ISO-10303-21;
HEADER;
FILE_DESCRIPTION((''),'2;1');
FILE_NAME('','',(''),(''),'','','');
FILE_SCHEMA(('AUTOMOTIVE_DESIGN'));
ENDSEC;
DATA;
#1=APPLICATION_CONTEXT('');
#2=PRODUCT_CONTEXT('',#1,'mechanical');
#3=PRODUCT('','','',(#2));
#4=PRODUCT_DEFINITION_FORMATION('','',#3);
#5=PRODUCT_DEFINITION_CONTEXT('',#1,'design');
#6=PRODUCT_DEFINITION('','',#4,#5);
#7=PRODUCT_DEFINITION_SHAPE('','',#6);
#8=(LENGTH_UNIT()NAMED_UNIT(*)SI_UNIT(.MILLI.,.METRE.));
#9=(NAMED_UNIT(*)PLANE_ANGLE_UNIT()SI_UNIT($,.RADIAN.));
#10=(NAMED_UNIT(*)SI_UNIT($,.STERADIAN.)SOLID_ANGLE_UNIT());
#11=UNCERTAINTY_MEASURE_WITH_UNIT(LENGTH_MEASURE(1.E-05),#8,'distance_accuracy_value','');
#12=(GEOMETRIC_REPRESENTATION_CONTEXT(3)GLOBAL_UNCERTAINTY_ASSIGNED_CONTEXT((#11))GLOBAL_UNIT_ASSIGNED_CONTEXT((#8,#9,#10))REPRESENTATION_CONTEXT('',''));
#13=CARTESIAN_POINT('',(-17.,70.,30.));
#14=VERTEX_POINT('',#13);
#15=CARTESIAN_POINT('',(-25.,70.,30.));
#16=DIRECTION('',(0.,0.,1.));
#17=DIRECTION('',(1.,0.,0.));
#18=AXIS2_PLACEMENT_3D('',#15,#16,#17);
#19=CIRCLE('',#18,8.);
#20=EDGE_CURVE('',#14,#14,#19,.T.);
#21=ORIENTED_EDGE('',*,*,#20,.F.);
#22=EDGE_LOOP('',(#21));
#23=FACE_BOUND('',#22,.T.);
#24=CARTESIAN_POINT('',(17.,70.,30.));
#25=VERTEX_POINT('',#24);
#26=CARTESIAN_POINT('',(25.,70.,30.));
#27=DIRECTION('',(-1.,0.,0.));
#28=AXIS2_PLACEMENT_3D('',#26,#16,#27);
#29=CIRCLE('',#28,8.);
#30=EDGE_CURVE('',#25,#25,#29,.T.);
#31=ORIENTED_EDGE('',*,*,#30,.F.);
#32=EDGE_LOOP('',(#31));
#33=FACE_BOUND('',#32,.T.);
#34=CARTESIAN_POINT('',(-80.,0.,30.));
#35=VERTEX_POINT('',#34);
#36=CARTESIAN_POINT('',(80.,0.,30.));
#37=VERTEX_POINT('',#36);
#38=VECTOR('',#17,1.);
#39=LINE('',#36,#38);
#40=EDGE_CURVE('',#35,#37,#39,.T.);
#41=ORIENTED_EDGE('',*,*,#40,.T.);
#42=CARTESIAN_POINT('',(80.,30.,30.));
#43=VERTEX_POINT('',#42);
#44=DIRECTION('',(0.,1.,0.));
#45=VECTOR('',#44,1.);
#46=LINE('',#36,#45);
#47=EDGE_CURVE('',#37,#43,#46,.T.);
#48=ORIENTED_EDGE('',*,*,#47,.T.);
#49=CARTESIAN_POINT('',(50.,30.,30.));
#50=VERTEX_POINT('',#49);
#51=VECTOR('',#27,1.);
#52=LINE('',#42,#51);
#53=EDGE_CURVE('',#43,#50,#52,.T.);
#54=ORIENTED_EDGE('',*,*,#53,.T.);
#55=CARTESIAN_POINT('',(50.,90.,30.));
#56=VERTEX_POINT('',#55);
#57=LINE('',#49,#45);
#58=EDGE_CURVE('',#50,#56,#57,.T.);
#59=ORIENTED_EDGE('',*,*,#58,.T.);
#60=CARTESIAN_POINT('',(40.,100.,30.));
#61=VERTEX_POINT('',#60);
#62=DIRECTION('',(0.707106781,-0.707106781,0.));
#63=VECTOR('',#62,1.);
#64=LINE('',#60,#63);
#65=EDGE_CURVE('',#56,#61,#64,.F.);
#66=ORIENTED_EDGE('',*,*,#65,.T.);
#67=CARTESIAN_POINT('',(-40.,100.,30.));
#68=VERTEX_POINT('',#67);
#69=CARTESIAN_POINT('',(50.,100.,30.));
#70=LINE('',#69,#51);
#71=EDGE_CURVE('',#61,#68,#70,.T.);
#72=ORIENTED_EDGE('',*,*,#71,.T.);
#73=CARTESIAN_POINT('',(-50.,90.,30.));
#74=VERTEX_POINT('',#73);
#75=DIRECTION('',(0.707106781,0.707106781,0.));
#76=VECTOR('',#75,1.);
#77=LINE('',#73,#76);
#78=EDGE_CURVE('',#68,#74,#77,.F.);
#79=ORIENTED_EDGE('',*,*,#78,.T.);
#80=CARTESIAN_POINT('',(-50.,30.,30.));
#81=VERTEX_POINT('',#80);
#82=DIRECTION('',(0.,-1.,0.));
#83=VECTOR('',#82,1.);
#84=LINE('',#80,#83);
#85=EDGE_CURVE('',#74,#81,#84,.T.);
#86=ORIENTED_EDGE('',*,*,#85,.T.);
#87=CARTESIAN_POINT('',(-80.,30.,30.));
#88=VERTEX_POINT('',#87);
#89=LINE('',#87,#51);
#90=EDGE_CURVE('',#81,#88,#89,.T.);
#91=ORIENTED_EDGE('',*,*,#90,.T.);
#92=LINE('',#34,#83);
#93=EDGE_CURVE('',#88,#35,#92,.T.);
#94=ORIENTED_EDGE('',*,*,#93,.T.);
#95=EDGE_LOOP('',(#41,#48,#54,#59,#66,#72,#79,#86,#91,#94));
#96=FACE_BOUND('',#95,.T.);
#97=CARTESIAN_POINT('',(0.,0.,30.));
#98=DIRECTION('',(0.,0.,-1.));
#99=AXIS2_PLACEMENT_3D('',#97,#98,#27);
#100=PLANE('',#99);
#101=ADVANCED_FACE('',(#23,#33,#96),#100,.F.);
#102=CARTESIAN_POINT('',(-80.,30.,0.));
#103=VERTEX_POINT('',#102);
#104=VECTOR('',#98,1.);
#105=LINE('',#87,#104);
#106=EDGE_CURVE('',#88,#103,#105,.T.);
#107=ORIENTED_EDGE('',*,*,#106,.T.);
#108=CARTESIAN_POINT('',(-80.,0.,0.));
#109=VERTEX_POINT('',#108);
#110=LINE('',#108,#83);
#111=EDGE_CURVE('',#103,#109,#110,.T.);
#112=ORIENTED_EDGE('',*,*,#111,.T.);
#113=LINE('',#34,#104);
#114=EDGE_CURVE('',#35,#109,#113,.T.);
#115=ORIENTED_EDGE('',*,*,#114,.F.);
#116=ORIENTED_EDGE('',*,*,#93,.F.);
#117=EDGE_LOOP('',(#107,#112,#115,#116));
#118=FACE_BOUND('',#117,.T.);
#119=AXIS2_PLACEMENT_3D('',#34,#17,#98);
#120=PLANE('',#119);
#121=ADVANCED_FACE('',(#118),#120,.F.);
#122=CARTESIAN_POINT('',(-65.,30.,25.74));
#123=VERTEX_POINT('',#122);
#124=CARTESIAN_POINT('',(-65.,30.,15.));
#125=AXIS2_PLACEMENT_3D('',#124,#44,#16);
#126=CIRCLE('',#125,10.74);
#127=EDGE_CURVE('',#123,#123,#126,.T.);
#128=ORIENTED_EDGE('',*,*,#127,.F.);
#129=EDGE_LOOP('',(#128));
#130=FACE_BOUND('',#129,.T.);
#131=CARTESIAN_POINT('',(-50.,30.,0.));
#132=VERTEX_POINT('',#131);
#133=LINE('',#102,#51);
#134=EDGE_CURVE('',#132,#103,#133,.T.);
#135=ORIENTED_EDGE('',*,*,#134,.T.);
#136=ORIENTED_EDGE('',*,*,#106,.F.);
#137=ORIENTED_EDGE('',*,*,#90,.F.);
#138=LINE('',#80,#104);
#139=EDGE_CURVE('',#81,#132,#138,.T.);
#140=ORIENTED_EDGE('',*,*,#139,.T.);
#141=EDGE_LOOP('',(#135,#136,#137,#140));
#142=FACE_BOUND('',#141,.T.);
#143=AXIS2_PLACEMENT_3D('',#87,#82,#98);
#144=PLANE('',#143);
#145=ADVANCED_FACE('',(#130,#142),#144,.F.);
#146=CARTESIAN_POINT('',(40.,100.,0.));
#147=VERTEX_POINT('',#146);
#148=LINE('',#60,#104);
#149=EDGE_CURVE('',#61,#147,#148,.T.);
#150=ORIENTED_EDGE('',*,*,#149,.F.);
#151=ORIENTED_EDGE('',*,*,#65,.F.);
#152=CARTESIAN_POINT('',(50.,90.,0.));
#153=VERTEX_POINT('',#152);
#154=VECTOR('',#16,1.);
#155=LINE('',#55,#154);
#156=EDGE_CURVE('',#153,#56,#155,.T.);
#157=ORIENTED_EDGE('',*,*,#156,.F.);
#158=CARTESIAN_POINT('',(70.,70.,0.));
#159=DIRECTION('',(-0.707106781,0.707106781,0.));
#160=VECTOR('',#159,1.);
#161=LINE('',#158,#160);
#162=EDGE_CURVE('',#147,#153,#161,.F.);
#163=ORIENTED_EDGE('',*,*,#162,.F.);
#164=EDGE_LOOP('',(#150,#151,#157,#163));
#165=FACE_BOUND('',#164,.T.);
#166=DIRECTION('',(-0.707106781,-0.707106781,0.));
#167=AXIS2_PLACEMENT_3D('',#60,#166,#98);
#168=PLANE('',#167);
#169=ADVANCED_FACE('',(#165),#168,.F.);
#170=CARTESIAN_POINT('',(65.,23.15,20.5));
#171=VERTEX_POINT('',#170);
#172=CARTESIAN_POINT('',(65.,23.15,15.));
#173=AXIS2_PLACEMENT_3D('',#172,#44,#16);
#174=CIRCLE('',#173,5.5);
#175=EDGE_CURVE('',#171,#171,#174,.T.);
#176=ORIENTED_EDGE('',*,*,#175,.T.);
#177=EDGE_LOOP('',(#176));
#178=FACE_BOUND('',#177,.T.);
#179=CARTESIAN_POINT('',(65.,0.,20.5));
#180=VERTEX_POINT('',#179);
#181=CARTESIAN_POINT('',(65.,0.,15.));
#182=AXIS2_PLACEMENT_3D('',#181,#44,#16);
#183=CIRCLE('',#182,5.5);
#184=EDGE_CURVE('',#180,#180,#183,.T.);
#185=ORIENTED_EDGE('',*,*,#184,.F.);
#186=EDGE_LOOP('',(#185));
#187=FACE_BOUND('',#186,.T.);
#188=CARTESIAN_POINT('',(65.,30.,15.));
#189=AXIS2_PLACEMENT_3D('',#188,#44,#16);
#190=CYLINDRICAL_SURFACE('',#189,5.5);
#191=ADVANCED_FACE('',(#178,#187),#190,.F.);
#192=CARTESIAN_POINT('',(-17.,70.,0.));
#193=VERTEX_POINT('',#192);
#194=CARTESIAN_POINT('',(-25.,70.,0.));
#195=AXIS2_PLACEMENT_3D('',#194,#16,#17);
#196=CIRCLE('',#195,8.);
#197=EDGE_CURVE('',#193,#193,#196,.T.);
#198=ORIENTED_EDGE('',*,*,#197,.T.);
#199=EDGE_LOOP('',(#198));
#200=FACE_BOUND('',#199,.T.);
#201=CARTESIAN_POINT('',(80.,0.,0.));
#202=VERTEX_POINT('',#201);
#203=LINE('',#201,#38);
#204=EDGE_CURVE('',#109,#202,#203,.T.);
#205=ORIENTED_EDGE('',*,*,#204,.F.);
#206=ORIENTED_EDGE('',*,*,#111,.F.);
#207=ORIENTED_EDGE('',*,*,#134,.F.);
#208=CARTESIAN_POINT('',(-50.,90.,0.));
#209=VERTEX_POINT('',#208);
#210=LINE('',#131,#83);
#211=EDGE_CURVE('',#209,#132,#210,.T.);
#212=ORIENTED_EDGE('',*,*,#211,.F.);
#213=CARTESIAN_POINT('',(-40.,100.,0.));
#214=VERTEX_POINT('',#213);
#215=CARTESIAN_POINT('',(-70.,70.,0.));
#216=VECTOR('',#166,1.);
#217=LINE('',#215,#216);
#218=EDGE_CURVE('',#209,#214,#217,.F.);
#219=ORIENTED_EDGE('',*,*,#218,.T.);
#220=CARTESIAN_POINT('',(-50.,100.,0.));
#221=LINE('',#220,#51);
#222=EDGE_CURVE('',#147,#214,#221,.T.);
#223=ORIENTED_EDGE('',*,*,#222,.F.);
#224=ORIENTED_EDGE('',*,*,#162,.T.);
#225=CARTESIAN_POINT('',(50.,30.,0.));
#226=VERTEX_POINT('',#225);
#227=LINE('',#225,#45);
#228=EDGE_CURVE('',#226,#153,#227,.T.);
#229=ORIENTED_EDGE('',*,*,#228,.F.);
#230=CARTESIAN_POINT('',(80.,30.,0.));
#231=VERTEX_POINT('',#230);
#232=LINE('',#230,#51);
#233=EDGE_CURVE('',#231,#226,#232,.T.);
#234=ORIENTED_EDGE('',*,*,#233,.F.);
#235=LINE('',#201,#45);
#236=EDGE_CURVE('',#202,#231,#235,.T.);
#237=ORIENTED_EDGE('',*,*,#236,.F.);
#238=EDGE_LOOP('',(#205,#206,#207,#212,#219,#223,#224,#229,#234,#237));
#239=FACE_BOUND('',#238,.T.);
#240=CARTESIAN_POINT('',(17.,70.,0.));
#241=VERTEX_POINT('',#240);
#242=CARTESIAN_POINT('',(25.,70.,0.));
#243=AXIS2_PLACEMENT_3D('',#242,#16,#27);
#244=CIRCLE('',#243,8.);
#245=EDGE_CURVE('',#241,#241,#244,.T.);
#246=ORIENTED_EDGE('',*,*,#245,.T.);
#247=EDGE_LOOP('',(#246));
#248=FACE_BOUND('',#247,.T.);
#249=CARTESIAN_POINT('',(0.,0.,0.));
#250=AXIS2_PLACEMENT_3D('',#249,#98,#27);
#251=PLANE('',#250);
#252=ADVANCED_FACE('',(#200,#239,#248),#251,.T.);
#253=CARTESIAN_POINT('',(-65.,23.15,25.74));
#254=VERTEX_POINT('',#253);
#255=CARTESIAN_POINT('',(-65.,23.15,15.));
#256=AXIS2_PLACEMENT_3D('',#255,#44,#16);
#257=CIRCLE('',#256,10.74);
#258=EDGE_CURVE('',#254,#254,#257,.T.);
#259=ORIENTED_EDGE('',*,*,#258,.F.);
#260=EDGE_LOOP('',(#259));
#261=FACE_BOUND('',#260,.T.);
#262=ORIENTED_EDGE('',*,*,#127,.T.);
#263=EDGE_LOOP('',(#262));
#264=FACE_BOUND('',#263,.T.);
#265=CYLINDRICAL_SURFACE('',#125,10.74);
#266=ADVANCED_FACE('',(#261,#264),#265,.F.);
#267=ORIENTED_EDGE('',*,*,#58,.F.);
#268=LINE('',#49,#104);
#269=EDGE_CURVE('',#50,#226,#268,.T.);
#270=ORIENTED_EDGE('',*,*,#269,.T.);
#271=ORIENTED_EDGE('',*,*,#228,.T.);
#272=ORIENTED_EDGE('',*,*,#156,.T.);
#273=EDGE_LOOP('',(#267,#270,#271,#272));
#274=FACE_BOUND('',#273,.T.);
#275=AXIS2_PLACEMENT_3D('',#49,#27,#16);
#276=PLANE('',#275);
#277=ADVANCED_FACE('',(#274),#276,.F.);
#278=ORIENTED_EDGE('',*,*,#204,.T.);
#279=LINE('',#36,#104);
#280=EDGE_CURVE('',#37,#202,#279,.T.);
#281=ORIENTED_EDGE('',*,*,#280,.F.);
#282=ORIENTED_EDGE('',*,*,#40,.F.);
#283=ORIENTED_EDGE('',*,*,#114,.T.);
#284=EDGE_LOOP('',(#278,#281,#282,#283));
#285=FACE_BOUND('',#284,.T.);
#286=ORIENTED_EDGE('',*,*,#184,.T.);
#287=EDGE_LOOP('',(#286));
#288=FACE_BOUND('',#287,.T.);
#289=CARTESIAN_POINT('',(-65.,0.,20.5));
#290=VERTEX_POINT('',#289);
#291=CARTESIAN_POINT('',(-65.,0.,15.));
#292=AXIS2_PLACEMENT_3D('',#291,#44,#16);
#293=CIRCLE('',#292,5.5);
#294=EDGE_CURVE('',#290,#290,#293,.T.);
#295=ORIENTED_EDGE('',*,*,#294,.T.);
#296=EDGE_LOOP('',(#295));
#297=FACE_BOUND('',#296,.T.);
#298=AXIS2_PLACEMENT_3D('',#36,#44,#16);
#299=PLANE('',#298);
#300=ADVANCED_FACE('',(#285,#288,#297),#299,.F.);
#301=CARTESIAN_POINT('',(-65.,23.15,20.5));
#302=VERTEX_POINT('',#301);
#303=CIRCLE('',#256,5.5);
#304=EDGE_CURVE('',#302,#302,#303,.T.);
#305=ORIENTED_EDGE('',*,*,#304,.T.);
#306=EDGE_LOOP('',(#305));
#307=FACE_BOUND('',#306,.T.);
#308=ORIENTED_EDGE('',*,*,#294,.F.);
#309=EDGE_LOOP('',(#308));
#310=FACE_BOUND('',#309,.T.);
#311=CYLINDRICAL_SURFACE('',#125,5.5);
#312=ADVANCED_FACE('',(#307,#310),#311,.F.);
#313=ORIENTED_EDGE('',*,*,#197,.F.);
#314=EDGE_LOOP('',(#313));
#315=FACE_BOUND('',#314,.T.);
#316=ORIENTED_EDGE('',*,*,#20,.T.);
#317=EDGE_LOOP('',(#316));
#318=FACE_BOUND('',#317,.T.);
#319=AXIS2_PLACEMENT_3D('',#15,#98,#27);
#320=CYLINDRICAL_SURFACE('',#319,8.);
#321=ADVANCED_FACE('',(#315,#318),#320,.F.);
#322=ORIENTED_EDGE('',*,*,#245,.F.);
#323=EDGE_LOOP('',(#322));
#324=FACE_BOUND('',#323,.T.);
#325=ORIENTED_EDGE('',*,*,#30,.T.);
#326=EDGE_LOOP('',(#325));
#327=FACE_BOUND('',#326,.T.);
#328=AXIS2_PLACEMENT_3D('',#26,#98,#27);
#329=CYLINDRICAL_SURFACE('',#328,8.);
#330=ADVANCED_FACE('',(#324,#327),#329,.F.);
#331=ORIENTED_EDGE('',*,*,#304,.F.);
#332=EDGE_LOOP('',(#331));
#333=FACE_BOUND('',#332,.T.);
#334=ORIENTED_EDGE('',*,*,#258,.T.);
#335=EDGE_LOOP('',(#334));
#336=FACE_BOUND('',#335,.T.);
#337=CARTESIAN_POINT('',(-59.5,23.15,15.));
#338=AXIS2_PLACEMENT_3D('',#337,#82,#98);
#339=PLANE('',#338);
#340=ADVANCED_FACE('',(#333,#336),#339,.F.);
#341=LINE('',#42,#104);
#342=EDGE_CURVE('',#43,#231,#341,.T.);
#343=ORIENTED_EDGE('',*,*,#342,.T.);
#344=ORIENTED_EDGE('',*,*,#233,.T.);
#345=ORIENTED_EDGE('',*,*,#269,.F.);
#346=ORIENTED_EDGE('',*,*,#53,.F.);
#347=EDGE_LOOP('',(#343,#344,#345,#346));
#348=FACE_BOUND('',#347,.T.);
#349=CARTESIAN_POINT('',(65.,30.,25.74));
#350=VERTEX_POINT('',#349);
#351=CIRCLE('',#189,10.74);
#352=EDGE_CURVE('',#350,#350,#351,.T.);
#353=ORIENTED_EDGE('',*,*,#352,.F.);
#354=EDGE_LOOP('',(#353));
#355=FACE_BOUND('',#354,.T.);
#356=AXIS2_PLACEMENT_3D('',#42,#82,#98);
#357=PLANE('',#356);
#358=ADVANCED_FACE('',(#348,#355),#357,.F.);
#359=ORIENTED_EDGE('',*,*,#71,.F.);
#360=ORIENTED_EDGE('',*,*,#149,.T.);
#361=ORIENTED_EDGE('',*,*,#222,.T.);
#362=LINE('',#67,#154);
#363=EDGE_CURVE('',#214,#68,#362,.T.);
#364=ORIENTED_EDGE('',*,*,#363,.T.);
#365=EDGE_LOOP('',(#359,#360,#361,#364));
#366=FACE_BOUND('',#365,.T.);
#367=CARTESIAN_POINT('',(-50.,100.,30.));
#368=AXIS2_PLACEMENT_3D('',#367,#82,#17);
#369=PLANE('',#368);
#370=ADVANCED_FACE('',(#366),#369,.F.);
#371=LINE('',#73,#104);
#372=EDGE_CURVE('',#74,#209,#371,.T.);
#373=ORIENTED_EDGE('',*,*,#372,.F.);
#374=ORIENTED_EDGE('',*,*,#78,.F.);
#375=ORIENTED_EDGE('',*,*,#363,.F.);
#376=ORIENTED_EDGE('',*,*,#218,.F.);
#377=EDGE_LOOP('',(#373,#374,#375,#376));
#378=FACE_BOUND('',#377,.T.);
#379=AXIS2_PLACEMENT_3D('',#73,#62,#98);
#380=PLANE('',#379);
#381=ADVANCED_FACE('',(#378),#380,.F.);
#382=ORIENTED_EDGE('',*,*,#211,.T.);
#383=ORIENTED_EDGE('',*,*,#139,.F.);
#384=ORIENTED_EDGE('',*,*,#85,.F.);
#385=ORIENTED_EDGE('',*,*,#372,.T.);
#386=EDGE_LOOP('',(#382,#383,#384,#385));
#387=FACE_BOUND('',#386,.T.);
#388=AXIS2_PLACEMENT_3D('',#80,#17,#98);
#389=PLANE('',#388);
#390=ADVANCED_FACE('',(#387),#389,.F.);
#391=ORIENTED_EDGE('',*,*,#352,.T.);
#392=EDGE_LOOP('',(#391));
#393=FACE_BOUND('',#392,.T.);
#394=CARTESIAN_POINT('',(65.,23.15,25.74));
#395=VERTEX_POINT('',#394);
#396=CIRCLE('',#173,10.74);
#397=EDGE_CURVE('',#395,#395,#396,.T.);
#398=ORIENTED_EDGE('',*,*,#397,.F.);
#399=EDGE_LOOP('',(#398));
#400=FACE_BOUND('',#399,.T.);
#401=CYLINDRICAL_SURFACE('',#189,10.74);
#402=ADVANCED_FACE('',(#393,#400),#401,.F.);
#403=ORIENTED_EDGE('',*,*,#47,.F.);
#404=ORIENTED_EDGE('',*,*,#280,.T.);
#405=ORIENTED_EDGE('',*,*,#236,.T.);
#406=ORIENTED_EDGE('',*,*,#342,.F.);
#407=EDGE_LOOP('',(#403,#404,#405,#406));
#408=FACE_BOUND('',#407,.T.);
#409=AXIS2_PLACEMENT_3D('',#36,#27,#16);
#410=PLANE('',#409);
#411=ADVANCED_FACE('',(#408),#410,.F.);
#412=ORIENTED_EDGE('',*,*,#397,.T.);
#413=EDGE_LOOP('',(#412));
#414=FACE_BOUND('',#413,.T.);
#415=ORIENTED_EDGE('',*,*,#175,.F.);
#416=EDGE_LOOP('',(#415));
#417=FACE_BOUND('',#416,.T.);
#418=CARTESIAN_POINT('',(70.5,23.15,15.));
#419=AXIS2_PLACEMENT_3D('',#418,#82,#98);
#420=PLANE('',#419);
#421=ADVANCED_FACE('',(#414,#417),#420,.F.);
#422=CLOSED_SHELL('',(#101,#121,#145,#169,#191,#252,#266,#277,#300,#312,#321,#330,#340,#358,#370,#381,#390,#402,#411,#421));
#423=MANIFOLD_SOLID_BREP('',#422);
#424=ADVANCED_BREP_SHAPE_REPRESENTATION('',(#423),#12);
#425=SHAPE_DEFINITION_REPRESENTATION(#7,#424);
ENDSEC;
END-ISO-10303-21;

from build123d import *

# Parameters (mm, degrees)
SKETCH2_R                        = 8
CORPO_FUROS_20MM_DEPTH           = 30
CHANFROS_10X45_SIZE              = 10
REBAIXO_PARAFUSO_M10_D           = 11
REBAIXO_PARAFUSO_M10_CBORE_D     = 21.48
REBAIXO_PARAFUSO_M10_CBORE_DEPTH = 6.85


with BuildPart() as part:
    # Sketch2 → Corpo - Furos 20mm (new body)
    with BuildSketch(Plane.XY):
        Polygon((80, 0), (-80, 0), (-80, 30), (-50, 30), (-50, 100), (0, 100), (50, 100), (50, 30), (80, 30), align=None)
        with Locations((-25, 70)):
            Circle(SKETCH2_R, mode=Mode.SUBTRACT)
        with Locations(Location((25, 70, 0), (0, 0, 180))):
            Circle(SKETCH2_R, mode=Mode.SUBTRACT)
    extrude(amount=CORPO_FUROS_20MM_DEPTH)

    # Chanfros 10x45°
    chanfros_10x45_edges = [part.edges().sort_by_distance(p)[0] for p in [
        (50, 100, 15),
        (-50, 100, 15),
    ]]
    chamfer(chanfros_10x45_edges, length=CHANFROS_10X45_SIZE)

    # Rebaixo Parafuso M10 (through all)
    with Locations(Plane(origin=(0, 30, 0), x_dir=(1, 0, 0), z_dir=(0, 1, 0))):
        with Locations((-65, -15), (65, -15)):
            CounterBoreHole(REBAIXO_PARAFUSO_M10_D / 2, REBAIXO_PARAFUSO_M10_CBORE_D / 2, REBAIXO_PARAFUSO_M10_CBORE_DEPTH)


solid = part.part
